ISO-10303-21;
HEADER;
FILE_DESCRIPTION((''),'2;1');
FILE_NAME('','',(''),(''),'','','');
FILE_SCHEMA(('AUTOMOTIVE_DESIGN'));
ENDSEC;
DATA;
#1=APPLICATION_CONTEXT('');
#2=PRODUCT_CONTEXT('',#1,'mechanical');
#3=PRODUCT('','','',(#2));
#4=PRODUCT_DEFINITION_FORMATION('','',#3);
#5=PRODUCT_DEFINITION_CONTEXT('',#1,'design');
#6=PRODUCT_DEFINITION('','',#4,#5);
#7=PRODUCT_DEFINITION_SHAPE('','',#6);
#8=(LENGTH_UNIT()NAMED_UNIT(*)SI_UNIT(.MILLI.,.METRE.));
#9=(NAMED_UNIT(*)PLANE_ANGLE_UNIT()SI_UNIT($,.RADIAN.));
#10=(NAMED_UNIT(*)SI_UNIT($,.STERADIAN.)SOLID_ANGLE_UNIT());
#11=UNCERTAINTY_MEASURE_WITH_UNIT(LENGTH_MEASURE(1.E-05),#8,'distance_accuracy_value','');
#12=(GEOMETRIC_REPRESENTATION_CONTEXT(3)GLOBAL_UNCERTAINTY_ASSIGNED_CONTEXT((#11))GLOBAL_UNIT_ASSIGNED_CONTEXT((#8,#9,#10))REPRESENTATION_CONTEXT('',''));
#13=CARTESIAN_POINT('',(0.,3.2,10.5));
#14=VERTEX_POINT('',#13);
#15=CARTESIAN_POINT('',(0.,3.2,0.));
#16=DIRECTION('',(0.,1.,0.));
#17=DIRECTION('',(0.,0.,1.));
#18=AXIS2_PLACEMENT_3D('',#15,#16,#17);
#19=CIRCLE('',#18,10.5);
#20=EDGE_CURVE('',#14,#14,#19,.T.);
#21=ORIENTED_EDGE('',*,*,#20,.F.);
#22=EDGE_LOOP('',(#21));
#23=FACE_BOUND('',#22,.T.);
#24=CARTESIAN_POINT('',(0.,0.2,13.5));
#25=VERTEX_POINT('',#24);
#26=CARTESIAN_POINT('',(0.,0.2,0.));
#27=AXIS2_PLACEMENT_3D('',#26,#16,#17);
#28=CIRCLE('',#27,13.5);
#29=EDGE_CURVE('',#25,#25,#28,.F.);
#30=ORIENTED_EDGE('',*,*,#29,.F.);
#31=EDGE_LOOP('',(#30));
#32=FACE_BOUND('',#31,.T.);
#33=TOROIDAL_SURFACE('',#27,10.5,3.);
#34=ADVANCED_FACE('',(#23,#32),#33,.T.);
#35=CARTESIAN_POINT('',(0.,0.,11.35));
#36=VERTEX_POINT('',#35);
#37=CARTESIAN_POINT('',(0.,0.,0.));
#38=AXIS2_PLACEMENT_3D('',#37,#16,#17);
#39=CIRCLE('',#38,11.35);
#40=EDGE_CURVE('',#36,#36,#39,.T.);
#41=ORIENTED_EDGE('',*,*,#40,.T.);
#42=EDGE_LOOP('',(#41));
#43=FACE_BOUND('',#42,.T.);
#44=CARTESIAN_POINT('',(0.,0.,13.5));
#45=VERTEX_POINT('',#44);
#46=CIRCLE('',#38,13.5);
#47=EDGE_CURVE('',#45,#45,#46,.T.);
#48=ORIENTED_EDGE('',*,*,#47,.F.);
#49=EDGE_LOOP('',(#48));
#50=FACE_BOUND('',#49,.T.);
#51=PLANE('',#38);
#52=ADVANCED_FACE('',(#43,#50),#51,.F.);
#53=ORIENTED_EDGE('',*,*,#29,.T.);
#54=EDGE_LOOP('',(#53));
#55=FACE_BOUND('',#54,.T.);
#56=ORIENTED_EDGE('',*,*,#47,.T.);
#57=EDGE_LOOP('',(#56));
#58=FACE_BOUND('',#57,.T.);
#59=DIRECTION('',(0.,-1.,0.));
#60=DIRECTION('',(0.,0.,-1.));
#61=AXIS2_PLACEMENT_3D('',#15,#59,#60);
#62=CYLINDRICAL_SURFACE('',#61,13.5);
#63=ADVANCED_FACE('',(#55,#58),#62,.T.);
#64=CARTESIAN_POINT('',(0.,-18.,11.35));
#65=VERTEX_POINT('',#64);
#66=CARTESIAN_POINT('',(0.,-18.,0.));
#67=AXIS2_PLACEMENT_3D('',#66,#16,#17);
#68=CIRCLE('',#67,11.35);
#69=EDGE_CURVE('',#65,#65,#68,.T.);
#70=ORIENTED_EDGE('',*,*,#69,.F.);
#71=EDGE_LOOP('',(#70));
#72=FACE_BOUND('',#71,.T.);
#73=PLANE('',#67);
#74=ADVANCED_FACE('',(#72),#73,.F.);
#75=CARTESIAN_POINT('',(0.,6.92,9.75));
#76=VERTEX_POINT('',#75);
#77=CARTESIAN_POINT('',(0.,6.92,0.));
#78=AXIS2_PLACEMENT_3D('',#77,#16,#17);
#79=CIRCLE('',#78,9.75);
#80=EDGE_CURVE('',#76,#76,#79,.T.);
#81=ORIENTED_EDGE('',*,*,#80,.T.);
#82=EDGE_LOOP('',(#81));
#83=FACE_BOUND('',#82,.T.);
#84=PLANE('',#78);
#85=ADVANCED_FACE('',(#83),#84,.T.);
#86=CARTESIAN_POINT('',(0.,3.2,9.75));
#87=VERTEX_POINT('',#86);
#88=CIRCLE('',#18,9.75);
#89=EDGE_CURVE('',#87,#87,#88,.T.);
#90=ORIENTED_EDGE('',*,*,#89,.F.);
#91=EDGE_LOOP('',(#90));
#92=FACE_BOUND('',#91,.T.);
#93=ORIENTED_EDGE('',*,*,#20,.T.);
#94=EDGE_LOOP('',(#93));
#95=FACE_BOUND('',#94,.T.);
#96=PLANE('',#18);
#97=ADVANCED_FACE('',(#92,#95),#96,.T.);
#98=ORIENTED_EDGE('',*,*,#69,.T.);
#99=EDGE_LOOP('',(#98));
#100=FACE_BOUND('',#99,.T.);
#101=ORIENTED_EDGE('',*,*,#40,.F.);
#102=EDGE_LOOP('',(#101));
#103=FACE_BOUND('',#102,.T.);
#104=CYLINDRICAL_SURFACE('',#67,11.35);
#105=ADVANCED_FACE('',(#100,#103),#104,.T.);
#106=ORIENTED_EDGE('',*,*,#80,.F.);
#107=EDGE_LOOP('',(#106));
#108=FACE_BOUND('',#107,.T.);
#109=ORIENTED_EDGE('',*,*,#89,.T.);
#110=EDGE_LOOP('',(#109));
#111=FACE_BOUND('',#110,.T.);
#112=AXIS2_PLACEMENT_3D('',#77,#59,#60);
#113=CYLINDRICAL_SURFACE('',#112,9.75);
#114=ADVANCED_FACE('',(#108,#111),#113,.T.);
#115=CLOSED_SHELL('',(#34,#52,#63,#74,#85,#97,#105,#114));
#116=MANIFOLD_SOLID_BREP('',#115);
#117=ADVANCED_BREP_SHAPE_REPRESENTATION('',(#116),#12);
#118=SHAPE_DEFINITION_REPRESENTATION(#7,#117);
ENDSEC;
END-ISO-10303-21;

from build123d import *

# Parameters (mm, degrees)
SKETCH1_R           = 11.35
BOSS_EXTRUDE1_DEPTH = 18
SKETCH2_R           = 13.5
BOSS_EXTRUDE2_DEPTH = 3.2
FILLET1_R           = 3
SKETCH3_R           = 9.75
BOSS_EXTRUDE3_DEPTH = 3.72


with BuildPart() as part:
    # Sketch1 → Boss-Extrude1 (new body)
    with BuildSketch(Plane(origin=(0, 0, 0), x_dir=(1, 0, 0), z_dir=(0, 1, 0))):
        with Locations(Location((0, 0, 0), (0, 0, 270))):
            Circle(SKETCH1_R)
    extrude(amount=-BOSS_EXTRUDE1_DEPTH)

    # Sketch2 → Boss-Extrude2 (add)
    with BuildSketch(Plane(origin=(0, 0, 0), x_dir=(1, 0, 0), z_dir=(0, 1, 0))):
        with Locations(Location((0, 0, 0), (0, 0, 270))):
            Circle(SKETCH2_R)
    extrude(amount=BOSS_EXTRUDE2_DEPTH)

    # Fillet1
    fillet1_edges = [part.edges().sort_by_distance(p)[0] for p in [
        (0, 3.2, -13.5),
    ]]
    fillet(fillet1_edges, radius=FILLET1_R)

    # Sketch3 → Boss-Extrude3 (add)
    with BuildSketch(Plane(origin=(0, 3.2, 0), x_dir=(1, 0, 0), z_dir=(0, 1, 0))):
        with Locations(Location((0, 0, 0), (0, 0, 270))):
            Circle(SKETCH3_R)
    extrude(amount=BOSS_EXTRUDE3_DEPTH)


solid = part.part
